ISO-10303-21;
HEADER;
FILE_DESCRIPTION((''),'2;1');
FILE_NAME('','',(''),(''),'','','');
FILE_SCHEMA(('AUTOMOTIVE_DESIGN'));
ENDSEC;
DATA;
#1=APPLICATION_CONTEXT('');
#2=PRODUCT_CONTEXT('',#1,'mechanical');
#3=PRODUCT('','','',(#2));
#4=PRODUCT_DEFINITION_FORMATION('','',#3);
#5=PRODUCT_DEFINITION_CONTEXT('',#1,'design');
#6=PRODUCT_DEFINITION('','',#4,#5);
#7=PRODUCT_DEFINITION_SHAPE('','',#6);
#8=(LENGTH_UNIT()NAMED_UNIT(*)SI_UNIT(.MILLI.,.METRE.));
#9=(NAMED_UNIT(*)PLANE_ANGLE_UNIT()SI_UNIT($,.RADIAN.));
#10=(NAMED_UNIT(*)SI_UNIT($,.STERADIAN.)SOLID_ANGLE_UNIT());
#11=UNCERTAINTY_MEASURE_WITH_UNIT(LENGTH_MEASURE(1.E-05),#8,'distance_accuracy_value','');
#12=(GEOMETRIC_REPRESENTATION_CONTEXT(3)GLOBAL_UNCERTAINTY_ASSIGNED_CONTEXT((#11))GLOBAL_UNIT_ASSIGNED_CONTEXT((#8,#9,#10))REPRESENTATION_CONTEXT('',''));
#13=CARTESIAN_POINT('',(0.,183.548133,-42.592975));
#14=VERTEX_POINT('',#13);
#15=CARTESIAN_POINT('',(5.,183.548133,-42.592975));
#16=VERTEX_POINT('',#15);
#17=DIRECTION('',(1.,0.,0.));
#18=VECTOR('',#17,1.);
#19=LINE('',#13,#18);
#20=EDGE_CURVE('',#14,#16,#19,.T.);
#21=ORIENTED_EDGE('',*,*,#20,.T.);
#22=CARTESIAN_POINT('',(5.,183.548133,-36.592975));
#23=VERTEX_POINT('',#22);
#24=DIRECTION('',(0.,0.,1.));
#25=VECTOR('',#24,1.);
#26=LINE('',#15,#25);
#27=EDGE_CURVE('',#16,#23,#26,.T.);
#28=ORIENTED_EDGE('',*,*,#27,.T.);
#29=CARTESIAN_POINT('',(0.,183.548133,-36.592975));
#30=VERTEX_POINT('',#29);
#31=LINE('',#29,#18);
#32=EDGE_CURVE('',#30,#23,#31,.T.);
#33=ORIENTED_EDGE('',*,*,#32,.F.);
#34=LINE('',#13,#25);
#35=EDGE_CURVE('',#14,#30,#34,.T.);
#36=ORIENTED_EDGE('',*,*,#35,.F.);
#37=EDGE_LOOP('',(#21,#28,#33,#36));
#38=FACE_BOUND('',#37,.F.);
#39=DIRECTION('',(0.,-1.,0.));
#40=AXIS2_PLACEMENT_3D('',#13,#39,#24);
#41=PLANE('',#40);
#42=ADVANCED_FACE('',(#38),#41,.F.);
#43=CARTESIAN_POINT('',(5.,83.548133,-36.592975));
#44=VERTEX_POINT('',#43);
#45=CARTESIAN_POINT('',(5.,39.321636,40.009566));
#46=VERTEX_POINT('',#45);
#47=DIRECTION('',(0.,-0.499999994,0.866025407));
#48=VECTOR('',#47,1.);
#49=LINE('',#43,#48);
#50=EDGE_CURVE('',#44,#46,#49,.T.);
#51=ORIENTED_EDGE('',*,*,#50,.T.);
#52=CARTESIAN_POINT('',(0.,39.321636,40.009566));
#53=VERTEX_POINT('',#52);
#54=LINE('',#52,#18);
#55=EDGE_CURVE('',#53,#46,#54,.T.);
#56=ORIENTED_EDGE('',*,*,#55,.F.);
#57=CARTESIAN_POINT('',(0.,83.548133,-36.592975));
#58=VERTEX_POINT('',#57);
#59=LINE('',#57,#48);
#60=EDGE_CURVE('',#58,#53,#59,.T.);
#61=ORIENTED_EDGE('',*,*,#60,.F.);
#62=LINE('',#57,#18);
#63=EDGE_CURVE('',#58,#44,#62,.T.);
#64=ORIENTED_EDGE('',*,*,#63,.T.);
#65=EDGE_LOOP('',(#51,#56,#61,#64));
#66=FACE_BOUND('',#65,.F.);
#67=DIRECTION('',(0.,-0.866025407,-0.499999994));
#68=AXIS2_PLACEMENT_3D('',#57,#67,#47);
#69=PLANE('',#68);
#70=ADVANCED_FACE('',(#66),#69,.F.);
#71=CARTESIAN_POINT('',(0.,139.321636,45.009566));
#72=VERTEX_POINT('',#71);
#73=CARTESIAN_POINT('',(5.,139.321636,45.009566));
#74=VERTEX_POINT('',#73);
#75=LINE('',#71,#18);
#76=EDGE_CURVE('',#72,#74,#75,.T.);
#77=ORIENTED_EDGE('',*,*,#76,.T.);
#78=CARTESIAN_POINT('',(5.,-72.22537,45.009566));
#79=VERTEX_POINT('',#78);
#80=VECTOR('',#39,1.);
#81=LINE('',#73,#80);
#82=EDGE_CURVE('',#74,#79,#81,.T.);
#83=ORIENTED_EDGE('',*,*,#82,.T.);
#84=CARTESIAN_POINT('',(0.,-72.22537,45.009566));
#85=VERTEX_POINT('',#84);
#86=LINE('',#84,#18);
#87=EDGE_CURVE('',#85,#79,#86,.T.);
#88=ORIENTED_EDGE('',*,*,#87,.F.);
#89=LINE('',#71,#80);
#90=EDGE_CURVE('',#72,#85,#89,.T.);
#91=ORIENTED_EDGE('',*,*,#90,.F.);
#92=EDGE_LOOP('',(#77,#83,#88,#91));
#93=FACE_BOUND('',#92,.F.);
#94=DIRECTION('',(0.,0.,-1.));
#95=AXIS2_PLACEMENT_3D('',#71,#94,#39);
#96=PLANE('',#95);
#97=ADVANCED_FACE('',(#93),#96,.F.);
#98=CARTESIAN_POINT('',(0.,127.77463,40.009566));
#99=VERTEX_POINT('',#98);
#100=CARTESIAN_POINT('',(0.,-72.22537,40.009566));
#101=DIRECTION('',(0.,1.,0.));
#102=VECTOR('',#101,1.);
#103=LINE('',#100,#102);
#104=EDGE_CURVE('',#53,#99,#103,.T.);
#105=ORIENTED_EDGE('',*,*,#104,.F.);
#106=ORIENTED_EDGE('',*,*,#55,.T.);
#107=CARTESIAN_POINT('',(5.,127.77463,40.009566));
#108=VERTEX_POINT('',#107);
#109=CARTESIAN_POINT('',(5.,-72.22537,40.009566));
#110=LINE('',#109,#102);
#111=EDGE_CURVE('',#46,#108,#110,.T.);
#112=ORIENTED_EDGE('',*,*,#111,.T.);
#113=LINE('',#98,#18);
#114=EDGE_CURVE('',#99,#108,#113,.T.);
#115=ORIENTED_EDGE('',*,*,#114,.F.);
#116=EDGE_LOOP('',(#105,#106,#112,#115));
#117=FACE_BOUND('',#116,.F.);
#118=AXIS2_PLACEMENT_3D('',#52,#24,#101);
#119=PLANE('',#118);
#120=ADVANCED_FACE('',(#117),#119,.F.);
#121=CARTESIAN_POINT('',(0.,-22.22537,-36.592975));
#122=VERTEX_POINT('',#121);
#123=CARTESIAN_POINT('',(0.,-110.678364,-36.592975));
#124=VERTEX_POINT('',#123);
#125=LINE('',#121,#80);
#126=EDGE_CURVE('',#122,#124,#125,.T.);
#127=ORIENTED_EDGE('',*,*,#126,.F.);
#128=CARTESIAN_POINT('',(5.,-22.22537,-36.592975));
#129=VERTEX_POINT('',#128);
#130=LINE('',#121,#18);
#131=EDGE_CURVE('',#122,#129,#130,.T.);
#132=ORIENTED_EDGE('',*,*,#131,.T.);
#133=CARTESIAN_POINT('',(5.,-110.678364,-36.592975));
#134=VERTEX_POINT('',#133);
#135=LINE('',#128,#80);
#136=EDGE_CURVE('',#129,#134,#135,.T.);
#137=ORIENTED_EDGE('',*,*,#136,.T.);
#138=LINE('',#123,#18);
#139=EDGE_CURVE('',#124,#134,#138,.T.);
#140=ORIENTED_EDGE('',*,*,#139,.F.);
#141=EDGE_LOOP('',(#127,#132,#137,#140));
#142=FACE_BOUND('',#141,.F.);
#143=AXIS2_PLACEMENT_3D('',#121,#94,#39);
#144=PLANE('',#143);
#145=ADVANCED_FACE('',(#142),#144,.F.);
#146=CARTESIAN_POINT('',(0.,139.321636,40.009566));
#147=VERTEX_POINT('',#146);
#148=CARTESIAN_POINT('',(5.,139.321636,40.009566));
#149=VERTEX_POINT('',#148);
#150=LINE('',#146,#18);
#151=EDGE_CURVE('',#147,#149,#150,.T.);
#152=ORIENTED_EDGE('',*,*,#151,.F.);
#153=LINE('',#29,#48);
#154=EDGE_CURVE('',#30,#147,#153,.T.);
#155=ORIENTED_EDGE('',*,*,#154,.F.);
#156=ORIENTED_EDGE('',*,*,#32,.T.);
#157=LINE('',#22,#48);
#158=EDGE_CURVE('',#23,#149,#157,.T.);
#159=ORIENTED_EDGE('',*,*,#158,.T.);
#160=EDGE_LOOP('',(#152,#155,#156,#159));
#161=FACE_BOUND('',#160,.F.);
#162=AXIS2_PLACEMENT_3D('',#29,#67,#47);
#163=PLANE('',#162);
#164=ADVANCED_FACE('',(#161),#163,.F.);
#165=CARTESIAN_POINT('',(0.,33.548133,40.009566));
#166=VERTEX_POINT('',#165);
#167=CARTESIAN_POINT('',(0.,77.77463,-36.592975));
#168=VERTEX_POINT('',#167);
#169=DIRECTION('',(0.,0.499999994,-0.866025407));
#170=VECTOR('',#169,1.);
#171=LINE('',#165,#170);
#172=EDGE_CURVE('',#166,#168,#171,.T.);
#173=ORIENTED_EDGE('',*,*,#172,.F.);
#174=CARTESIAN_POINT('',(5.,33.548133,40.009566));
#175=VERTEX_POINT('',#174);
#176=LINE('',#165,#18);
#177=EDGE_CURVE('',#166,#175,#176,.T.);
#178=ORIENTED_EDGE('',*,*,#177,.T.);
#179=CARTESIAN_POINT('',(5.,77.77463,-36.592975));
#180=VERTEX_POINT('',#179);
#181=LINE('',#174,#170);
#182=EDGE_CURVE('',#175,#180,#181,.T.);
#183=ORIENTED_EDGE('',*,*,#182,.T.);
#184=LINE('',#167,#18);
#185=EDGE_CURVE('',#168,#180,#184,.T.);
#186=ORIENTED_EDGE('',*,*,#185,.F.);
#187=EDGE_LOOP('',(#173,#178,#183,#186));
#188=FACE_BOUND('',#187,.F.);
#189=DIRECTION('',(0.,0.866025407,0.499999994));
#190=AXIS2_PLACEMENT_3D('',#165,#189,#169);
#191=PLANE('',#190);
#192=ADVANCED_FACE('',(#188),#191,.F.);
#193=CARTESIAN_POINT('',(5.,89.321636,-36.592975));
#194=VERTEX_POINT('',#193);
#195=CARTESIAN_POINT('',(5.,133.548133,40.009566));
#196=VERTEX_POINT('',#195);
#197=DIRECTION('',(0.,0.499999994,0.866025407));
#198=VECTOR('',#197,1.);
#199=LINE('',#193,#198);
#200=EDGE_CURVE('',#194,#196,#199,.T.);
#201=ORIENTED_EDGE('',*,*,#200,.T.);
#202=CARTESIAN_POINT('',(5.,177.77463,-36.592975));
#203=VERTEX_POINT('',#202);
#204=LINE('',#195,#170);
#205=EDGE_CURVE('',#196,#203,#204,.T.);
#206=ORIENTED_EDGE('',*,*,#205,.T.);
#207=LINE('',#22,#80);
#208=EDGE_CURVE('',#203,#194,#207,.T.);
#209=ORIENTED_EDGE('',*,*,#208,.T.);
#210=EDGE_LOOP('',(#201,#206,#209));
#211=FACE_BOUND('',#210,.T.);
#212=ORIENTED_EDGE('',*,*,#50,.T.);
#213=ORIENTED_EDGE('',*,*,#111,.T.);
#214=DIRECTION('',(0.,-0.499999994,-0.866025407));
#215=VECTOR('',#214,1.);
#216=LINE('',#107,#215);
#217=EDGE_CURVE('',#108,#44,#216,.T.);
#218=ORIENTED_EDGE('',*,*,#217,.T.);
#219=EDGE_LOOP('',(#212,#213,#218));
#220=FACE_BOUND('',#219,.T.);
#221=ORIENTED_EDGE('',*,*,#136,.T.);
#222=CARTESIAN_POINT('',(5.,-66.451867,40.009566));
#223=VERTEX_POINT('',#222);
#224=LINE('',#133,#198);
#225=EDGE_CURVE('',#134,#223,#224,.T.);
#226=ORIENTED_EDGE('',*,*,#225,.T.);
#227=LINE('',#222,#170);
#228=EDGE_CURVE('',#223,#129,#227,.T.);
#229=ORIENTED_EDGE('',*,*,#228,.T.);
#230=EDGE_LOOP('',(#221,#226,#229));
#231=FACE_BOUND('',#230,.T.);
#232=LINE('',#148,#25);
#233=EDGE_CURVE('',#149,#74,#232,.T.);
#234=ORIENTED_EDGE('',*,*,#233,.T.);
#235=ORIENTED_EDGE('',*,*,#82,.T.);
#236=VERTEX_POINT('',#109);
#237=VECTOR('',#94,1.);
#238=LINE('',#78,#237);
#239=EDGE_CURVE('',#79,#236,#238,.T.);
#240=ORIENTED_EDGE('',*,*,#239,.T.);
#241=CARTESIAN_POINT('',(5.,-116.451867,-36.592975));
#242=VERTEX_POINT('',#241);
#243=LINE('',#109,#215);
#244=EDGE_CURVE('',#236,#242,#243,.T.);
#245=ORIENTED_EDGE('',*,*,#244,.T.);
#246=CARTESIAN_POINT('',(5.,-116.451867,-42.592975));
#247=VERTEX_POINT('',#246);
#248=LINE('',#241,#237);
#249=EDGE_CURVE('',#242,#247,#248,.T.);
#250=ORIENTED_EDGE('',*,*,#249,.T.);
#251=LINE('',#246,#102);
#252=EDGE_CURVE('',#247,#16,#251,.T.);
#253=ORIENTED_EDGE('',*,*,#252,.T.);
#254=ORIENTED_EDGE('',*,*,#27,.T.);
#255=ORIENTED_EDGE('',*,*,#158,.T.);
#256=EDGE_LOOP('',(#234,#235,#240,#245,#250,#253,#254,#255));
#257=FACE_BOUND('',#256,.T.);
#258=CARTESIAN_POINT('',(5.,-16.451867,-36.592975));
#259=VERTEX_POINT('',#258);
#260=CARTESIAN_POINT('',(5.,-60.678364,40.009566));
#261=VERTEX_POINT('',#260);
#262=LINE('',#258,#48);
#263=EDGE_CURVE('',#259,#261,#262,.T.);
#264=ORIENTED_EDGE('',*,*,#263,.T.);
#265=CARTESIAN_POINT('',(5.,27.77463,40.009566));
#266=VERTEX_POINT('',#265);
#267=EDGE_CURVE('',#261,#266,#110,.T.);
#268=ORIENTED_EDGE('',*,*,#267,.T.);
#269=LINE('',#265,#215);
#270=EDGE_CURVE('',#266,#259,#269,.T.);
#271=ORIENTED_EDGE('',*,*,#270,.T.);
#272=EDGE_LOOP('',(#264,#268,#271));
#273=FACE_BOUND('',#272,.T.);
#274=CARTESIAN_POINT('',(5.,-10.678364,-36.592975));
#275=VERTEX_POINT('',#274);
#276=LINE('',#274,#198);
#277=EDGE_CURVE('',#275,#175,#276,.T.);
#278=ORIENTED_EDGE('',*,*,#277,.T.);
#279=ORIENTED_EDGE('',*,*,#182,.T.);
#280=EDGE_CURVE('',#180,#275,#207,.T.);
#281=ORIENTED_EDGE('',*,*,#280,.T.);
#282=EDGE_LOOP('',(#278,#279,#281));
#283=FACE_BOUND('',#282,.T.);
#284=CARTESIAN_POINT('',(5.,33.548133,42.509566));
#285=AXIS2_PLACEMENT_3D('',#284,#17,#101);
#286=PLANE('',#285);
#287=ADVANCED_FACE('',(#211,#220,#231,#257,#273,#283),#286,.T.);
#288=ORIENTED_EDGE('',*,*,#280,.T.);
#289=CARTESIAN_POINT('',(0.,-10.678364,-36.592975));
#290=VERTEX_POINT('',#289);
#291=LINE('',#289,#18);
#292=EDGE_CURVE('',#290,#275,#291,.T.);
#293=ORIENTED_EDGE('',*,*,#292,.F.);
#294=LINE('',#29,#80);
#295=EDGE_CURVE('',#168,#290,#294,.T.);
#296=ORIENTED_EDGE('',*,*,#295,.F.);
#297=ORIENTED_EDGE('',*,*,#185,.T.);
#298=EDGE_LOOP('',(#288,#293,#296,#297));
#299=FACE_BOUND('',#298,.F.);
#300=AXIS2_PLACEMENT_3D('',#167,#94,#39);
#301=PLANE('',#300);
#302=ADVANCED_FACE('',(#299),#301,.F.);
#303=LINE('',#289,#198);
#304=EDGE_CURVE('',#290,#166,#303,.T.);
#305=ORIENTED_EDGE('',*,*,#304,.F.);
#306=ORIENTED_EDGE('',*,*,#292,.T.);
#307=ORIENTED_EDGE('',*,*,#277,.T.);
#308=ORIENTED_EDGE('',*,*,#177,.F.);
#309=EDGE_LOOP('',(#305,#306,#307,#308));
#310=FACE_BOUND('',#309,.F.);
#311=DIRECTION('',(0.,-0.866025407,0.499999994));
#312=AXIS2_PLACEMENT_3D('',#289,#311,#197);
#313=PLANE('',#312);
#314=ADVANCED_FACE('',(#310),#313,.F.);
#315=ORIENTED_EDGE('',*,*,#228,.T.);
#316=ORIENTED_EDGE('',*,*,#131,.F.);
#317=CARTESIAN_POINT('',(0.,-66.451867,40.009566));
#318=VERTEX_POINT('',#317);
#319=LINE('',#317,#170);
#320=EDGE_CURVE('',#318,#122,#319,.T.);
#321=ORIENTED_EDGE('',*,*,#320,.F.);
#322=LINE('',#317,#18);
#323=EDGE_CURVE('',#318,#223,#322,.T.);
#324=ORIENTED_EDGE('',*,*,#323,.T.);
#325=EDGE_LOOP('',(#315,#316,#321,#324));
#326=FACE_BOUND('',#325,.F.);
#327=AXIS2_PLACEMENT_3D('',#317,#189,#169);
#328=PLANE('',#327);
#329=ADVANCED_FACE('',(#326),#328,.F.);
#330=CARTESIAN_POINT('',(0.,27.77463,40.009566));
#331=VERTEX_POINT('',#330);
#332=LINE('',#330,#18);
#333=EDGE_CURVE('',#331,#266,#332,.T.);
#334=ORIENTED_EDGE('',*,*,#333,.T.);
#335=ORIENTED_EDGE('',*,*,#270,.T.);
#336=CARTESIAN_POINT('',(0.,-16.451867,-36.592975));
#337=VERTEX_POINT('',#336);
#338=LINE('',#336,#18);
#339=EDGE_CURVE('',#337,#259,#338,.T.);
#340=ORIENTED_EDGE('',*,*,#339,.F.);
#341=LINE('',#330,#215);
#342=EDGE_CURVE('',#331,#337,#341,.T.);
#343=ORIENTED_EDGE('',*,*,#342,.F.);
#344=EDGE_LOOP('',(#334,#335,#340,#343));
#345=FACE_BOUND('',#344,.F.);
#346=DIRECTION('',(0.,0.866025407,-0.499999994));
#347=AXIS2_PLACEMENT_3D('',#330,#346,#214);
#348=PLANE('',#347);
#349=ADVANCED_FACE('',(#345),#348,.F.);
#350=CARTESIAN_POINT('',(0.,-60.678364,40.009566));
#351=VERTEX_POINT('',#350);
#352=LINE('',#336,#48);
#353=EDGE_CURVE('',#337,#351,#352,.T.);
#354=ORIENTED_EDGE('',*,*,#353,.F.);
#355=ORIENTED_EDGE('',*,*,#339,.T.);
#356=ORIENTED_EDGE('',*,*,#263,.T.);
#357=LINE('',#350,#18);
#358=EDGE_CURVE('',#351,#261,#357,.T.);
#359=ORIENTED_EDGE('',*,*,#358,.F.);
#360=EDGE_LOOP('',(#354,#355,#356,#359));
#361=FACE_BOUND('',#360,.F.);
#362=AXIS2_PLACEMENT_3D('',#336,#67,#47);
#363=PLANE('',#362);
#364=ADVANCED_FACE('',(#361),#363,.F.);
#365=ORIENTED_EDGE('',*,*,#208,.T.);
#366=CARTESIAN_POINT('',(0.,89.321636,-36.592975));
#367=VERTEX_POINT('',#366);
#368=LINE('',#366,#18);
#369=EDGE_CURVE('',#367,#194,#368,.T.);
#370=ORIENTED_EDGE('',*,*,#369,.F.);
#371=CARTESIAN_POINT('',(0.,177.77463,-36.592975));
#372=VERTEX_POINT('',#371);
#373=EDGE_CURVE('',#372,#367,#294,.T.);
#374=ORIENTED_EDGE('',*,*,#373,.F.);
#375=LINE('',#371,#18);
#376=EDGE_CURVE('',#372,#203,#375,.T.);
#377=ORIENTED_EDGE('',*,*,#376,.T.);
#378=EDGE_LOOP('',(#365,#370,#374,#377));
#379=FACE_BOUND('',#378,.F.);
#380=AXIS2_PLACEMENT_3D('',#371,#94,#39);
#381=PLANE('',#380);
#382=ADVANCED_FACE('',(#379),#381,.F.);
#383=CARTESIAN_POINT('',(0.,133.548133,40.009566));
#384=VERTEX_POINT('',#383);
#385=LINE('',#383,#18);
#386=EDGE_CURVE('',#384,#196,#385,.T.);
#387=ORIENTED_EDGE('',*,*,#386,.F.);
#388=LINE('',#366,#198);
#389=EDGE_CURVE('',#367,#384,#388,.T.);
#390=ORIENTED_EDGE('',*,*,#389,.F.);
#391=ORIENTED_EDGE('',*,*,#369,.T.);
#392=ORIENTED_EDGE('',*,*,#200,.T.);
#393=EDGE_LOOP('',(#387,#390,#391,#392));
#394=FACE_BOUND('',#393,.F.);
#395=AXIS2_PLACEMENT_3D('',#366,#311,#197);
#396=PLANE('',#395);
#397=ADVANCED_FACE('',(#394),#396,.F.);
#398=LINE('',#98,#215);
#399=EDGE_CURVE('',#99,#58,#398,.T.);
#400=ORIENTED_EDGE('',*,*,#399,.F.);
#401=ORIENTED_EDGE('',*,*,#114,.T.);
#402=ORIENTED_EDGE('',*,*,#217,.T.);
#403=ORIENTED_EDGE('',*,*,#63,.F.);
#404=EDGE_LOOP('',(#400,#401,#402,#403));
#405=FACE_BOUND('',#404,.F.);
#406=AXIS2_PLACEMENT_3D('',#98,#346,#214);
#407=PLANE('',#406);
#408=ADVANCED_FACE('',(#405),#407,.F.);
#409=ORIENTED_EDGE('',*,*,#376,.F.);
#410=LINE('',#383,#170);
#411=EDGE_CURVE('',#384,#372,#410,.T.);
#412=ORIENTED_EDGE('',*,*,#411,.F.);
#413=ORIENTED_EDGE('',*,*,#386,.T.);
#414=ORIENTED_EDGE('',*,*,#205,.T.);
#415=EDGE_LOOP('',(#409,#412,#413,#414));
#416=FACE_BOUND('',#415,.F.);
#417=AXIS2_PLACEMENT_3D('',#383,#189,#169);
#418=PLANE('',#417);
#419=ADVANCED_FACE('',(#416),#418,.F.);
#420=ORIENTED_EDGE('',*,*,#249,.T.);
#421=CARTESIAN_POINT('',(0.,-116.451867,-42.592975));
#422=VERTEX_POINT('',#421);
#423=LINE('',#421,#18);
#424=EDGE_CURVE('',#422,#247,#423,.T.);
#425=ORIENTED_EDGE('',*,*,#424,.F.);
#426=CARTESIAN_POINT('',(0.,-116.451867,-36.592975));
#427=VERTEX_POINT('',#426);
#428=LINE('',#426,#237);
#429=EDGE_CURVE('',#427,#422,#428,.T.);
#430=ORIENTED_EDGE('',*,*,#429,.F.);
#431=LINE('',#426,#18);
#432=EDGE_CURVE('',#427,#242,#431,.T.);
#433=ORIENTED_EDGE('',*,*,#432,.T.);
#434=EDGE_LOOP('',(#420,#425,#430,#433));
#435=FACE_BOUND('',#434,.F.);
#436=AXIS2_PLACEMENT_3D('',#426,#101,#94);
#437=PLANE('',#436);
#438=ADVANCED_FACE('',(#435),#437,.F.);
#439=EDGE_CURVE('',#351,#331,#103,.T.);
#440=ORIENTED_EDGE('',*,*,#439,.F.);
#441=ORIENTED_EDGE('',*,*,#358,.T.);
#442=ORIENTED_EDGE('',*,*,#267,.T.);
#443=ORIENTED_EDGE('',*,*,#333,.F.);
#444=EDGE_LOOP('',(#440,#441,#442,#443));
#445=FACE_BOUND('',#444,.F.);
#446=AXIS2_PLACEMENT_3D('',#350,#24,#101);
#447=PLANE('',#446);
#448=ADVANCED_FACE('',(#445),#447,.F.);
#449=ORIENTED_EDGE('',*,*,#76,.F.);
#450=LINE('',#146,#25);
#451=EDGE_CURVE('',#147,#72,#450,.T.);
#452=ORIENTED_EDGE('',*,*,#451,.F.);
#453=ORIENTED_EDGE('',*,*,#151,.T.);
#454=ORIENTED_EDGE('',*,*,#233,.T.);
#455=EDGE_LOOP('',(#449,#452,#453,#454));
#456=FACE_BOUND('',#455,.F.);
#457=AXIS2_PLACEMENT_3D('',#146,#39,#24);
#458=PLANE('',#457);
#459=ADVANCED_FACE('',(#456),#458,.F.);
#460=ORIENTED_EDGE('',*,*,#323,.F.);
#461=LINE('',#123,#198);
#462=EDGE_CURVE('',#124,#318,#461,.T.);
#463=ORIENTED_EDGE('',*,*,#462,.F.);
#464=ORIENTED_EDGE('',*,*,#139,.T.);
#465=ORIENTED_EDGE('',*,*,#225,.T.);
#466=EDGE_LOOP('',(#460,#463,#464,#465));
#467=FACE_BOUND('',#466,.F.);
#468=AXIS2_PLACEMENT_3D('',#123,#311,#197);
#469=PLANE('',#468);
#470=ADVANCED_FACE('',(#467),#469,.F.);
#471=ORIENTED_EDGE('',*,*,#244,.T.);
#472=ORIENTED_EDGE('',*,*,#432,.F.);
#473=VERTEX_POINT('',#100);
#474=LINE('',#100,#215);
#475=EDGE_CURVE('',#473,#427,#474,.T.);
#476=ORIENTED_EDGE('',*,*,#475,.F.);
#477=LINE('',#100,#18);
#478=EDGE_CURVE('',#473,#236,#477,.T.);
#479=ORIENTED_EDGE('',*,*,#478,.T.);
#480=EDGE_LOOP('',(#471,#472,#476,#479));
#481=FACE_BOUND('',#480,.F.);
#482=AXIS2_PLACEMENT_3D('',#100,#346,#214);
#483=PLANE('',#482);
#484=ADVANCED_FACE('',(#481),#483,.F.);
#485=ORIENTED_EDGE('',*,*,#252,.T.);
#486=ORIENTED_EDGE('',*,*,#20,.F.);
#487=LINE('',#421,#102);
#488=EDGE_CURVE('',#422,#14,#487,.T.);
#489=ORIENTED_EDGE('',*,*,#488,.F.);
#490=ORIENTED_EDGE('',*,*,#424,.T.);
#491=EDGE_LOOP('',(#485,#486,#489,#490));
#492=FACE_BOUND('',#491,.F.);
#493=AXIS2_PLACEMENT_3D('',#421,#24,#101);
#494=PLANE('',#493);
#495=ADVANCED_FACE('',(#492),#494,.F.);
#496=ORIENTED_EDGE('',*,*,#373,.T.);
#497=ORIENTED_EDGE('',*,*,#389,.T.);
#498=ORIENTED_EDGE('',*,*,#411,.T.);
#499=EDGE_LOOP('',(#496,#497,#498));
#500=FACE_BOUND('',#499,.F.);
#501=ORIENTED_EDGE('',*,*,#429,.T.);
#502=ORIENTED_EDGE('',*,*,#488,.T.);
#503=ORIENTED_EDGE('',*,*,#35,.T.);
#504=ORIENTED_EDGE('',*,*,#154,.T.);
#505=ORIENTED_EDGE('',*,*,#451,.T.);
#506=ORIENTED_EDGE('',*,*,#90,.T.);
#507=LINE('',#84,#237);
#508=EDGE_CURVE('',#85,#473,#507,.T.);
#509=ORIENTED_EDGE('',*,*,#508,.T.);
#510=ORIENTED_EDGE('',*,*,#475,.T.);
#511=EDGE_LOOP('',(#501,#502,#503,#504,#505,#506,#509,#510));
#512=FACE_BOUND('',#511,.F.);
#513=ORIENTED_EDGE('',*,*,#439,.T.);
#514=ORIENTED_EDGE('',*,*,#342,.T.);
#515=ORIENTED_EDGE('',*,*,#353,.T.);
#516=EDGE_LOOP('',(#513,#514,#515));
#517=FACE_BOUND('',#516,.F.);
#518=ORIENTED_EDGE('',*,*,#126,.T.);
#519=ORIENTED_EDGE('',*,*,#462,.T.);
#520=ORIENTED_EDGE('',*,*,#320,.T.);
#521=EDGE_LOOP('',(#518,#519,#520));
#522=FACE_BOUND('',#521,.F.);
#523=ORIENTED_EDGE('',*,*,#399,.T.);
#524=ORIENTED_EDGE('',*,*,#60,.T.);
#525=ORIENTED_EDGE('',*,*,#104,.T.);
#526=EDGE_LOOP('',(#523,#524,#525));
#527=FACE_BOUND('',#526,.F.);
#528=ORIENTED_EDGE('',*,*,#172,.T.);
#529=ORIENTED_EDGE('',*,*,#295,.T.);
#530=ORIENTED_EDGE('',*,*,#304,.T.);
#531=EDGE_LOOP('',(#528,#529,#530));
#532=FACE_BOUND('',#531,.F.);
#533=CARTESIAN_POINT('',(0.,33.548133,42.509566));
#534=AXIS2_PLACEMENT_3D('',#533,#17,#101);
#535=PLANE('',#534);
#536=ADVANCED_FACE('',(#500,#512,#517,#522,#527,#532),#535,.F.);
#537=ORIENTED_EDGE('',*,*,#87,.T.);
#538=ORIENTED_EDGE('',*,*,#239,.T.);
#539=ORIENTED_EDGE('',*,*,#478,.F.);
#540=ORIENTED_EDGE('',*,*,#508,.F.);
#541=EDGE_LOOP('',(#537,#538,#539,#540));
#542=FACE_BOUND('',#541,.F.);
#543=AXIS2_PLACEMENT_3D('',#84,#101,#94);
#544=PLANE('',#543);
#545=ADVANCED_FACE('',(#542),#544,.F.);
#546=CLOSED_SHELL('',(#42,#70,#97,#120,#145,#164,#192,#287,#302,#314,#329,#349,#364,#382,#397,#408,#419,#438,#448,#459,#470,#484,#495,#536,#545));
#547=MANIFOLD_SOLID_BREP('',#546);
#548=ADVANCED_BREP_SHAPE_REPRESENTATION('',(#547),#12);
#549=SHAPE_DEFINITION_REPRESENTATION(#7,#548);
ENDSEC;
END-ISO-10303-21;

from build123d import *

# Parameters (mm, degrees)
F1_DEPTH = 5


with BuildPart() as f1:
    # F0 (on Right) → F1 (new body)
    with BuildSketch(Plane.YZ):
        Polygon((133.548133, 40.009566), (139.321636, 40.009566), (139.321636, 45.009566), (-72.22537, 45.009566), (-72.22537, 40.009566), (-66.451867, 40.009566), (-60.678364, 40.009566), (27.77463, 40.009566), (33.548133, 40.009566), (39.321636, 40.009566), (127.77463, 40.009566), align=None)
        Polygon((-72.22537, 40.009566), (-116.451867, -36.592975), (-110.678364, -36.592975), (-66.451867, 40.009566), align=None)
        Polygon((-66.451867, 40.009566), (-22.22537, -36.592975), (-16.451867, -36.592975), (-60.678364, 40.009566), align=None)
        Polygon((-116.451867, -42.592975), (183.548133, -42.592975), (183.548133, -36.592975), (177.77463, -36.592975), (89.321636, -36.592975), (83.548133, -36.592975), (77.77463, -36.592975), (-10.678364, -36.592975), (-16.451867, -36.592975), (-22.22537, -36.592975), (-110.678364, -36.592975), (-116.451867, -36.592975), align=None)
        Polygon((27.77463, 40.009566), (-16.451867, -36.592975), (-10.678364, -36.592975), (33.548133, 40.009566), align=None)
        Polygon((77.77463, -36.592975), (83.548133, -36.592975), (39.321636, 40.009566), (33.548133, 40.009566), align=None)
        Polygon((83.548133, -36.592975), (89.321636, -36.592975), (133.548133, 40.009566), (127.77463, 40.009566), align=None)
        Polygon((177.77463, -36.592975), (183.548133, -36.592975), (139.321636, 40.009566), (133.548133, 40.009566), align=None)
    extrude(amount=F1_DEPTH)


solid = f1.part
